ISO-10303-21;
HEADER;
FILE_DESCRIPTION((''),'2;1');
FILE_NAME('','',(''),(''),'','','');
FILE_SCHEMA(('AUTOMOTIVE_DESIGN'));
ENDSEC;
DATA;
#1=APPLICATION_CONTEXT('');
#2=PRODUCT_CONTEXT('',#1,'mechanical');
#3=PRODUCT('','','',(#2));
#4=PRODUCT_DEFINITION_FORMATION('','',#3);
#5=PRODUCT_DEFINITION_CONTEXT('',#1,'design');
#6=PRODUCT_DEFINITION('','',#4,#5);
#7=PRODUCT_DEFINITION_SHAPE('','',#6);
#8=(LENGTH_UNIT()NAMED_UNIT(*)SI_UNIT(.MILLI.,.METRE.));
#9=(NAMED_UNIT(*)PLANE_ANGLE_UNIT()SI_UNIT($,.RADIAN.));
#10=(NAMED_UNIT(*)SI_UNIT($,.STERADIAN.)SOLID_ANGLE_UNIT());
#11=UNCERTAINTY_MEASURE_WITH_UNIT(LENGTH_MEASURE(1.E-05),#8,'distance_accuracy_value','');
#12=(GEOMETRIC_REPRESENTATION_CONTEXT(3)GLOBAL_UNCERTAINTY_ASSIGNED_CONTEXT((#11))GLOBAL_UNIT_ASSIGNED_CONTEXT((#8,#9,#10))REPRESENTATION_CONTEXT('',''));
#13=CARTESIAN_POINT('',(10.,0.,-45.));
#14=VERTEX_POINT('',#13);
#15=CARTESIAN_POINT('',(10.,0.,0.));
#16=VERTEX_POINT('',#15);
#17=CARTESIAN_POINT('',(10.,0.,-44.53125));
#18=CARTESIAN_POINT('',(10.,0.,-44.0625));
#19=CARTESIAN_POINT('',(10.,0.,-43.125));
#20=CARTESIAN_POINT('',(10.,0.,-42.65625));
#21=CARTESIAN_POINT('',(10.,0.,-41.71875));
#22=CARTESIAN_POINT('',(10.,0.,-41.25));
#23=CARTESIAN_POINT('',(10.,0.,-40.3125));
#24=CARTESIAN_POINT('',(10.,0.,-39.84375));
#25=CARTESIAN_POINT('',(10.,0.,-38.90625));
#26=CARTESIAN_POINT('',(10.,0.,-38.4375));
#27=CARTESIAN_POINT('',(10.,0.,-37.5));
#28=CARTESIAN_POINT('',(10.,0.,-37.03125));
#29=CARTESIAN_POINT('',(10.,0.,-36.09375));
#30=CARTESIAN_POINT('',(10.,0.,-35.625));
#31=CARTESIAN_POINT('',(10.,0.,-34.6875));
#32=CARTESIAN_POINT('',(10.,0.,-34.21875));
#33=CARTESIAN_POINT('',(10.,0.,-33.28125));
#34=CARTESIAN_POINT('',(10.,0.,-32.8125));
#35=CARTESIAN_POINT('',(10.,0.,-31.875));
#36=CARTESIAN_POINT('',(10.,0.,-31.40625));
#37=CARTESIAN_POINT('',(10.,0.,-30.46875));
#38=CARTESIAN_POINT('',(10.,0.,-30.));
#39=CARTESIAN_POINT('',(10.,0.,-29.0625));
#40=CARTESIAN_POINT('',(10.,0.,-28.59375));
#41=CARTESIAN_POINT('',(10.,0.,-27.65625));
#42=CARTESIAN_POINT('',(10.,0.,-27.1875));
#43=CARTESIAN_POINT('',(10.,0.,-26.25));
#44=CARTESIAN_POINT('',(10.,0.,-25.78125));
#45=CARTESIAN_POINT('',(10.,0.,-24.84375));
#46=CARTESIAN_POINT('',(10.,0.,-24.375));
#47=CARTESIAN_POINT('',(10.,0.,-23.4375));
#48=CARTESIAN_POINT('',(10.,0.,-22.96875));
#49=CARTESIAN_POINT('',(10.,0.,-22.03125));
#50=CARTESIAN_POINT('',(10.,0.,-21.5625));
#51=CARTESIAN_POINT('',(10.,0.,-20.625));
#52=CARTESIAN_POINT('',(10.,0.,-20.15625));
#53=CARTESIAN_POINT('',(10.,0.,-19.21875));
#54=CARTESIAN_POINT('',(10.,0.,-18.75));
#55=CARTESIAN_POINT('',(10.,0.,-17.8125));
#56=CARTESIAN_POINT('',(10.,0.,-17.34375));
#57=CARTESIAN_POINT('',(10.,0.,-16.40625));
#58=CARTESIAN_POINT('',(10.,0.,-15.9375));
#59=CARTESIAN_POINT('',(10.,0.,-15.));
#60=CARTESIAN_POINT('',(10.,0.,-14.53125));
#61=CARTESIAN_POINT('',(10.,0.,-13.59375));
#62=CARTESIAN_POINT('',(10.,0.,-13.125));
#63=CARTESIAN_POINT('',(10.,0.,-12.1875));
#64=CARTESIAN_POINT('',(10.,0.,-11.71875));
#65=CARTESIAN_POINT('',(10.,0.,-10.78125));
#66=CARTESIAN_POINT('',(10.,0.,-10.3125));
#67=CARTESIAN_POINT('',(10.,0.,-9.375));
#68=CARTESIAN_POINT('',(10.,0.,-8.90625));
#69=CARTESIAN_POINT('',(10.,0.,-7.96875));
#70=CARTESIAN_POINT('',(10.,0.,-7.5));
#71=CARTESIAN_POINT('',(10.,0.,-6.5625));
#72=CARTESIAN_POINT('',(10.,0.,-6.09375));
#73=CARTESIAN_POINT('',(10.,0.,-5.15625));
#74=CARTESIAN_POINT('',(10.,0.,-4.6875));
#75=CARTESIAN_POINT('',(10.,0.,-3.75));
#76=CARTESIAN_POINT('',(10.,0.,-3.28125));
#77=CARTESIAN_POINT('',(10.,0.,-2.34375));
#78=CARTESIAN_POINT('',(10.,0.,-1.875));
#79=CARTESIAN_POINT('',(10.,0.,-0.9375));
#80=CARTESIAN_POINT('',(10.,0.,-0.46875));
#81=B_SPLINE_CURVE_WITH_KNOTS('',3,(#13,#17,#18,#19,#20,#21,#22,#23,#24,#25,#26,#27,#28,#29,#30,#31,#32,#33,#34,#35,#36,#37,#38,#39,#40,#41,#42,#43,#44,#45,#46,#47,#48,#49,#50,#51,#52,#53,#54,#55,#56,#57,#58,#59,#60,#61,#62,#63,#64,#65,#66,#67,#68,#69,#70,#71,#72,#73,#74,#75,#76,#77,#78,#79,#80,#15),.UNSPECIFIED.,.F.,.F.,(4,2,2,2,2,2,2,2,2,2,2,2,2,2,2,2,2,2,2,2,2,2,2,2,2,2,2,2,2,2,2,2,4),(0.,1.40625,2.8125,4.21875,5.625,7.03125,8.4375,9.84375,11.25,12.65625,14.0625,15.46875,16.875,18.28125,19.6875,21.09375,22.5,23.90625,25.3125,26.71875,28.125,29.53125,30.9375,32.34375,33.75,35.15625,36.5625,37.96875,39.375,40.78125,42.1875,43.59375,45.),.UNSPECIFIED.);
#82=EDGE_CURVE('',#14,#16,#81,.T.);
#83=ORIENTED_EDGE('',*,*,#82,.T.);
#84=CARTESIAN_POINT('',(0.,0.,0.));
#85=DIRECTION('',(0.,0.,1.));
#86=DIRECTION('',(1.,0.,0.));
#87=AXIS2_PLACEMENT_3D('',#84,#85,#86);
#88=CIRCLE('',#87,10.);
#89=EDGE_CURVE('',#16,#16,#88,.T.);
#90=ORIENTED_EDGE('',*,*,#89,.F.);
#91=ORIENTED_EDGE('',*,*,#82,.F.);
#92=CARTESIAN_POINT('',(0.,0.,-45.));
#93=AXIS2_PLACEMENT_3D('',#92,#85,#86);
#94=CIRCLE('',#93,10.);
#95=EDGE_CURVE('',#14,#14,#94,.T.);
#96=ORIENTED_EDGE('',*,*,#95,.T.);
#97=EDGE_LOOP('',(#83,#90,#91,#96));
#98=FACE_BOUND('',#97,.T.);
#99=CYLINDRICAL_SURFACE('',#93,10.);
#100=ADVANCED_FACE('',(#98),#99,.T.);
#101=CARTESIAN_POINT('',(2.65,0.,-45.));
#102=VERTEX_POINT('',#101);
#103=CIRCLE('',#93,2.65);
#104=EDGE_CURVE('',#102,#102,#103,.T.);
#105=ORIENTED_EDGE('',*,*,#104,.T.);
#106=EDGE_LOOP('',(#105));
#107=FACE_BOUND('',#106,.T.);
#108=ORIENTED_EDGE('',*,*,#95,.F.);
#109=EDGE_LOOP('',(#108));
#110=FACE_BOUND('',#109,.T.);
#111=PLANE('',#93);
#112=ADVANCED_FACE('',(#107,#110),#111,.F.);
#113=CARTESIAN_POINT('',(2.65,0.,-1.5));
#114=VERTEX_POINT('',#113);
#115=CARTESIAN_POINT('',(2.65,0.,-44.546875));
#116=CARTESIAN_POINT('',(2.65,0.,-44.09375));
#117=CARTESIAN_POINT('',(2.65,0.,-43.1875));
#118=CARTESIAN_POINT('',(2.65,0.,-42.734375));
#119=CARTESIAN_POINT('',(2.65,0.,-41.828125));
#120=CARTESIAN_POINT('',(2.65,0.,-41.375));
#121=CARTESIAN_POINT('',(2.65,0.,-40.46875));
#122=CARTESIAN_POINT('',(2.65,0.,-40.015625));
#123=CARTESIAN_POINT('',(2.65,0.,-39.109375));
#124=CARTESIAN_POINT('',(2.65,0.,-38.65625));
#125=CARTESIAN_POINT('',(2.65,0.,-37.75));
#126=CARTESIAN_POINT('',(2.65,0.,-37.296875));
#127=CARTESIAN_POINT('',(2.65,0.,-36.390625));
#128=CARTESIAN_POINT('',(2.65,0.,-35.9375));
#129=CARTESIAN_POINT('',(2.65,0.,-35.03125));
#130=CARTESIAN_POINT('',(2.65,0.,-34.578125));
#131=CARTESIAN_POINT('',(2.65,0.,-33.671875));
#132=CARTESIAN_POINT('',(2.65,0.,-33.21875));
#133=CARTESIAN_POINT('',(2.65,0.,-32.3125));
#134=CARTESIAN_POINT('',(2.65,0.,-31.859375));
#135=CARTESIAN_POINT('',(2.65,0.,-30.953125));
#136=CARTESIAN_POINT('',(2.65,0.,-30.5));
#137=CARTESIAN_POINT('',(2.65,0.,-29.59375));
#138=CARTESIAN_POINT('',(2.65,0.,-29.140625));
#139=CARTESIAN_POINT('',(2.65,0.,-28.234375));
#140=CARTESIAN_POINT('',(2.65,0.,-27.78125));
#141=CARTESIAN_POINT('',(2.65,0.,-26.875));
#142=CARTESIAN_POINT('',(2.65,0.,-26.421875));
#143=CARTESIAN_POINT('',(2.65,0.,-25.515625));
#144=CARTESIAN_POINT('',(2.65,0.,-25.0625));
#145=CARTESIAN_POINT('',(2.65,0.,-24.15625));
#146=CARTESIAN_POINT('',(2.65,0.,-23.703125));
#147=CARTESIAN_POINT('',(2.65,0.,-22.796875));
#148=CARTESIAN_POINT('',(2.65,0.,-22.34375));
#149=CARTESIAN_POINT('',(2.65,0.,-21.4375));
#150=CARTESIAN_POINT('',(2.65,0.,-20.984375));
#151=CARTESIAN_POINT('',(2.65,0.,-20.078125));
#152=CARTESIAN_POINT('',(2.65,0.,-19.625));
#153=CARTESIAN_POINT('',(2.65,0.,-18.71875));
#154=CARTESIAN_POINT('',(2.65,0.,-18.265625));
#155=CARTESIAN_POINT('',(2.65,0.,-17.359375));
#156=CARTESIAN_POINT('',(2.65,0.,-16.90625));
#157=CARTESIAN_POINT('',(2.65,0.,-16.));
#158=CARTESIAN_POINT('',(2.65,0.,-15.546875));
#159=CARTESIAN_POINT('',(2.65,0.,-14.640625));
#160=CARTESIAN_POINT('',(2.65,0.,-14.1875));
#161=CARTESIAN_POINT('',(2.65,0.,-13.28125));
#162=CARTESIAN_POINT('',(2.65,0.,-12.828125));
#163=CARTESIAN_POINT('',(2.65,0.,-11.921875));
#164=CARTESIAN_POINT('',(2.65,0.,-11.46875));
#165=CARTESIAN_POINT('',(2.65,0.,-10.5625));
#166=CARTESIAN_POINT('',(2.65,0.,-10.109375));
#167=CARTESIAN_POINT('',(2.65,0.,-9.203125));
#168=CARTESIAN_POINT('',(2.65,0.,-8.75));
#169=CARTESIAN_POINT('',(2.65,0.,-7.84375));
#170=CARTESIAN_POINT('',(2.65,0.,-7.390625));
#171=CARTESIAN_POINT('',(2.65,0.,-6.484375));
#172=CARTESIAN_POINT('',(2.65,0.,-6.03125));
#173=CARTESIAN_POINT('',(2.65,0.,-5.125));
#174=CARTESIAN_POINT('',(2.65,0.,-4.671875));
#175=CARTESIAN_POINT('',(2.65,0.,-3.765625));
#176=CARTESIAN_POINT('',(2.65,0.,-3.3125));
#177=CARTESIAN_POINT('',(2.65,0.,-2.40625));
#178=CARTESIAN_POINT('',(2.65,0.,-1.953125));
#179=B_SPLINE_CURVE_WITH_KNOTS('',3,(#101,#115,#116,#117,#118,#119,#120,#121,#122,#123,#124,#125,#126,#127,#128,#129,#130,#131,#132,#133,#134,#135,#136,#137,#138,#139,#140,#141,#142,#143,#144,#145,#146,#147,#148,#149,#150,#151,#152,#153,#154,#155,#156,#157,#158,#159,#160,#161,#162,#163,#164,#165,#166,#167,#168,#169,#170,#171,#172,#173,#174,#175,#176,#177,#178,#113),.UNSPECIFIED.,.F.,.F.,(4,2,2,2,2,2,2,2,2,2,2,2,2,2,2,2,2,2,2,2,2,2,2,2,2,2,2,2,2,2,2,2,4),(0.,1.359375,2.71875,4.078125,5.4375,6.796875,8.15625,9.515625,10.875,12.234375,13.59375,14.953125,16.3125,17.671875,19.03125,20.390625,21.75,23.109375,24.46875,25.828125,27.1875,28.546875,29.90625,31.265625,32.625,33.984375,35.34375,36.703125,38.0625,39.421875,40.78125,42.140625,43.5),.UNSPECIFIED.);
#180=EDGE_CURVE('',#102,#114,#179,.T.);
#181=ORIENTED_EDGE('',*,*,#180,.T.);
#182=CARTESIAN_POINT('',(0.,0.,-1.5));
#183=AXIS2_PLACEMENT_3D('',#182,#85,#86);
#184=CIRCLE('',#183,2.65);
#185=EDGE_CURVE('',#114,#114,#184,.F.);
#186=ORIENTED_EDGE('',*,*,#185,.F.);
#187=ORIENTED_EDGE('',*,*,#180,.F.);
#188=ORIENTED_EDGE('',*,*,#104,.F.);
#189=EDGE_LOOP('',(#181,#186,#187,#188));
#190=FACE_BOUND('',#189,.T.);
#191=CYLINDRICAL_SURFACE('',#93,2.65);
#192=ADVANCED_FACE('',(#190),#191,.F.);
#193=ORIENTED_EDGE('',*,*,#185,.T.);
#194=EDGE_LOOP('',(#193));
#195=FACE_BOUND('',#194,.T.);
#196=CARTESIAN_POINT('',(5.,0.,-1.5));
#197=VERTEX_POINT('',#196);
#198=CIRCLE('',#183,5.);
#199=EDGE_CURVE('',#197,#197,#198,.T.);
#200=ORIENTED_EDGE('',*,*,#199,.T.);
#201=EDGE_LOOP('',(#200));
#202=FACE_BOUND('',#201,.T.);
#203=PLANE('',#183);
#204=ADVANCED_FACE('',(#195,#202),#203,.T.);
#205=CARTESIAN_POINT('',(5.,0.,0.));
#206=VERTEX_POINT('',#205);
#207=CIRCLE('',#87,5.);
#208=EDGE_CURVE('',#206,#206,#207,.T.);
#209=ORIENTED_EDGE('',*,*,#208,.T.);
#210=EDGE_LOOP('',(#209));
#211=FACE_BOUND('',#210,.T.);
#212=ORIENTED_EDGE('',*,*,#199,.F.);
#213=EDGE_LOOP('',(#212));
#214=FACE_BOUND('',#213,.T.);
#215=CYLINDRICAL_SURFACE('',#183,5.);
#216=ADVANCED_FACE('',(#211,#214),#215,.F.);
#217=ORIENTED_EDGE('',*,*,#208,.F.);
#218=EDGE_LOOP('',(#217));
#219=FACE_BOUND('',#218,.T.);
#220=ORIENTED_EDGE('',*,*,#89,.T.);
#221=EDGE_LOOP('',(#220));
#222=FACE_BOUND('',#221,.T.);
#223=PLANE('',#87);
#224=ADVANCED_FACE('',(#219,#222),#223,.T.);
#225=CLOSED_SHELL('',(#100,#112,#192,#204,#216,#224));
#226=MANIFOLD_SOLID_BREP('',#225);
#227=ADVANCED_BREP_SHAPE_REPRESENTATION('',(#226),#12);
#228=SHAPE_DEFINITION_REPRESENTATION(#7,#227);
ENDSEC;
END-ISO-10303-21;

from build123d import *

# Parameters (mm, degrees)
SKETCH1_R           = 10
BOSS_EXTRUDE1_DEPTH = 45
SKETCH2_R           = 2.65
CUT_EXTRUDE1_DEPTH  = 48.16990566
SKETCH3_R           = 5
CUT_EXTRUDE2_DEPTH  = 1.5


with BuildPart() as part:
    # Sketch1 → Boss-Extrude1 (new body)
    with BuildSketch(Plane.XY):
        Circle(SKETCH1_R)
    extrude(amount=-BOSS_EXTRUDE1_DEPTH)

    # Sketch2 → Cut-Extrude1 (cut, through all)
    with BuildSketch(Plane.XY):
        Circle(SKETCH2_R)
    extrude(amount=-CUT_EXTRUDE1_DEPTH, mode=Mode.SUBTRACT)

    # Sketch3 → Cut-Extrude2 (cut)
    with BuildSketch(Plane.XY):
        Circle(SKETCH3_R)
    extrude(amount=-CUT_EXTRUDE2_DEPTH, mode=Mode.SUBTRACT)


solid = part.part
